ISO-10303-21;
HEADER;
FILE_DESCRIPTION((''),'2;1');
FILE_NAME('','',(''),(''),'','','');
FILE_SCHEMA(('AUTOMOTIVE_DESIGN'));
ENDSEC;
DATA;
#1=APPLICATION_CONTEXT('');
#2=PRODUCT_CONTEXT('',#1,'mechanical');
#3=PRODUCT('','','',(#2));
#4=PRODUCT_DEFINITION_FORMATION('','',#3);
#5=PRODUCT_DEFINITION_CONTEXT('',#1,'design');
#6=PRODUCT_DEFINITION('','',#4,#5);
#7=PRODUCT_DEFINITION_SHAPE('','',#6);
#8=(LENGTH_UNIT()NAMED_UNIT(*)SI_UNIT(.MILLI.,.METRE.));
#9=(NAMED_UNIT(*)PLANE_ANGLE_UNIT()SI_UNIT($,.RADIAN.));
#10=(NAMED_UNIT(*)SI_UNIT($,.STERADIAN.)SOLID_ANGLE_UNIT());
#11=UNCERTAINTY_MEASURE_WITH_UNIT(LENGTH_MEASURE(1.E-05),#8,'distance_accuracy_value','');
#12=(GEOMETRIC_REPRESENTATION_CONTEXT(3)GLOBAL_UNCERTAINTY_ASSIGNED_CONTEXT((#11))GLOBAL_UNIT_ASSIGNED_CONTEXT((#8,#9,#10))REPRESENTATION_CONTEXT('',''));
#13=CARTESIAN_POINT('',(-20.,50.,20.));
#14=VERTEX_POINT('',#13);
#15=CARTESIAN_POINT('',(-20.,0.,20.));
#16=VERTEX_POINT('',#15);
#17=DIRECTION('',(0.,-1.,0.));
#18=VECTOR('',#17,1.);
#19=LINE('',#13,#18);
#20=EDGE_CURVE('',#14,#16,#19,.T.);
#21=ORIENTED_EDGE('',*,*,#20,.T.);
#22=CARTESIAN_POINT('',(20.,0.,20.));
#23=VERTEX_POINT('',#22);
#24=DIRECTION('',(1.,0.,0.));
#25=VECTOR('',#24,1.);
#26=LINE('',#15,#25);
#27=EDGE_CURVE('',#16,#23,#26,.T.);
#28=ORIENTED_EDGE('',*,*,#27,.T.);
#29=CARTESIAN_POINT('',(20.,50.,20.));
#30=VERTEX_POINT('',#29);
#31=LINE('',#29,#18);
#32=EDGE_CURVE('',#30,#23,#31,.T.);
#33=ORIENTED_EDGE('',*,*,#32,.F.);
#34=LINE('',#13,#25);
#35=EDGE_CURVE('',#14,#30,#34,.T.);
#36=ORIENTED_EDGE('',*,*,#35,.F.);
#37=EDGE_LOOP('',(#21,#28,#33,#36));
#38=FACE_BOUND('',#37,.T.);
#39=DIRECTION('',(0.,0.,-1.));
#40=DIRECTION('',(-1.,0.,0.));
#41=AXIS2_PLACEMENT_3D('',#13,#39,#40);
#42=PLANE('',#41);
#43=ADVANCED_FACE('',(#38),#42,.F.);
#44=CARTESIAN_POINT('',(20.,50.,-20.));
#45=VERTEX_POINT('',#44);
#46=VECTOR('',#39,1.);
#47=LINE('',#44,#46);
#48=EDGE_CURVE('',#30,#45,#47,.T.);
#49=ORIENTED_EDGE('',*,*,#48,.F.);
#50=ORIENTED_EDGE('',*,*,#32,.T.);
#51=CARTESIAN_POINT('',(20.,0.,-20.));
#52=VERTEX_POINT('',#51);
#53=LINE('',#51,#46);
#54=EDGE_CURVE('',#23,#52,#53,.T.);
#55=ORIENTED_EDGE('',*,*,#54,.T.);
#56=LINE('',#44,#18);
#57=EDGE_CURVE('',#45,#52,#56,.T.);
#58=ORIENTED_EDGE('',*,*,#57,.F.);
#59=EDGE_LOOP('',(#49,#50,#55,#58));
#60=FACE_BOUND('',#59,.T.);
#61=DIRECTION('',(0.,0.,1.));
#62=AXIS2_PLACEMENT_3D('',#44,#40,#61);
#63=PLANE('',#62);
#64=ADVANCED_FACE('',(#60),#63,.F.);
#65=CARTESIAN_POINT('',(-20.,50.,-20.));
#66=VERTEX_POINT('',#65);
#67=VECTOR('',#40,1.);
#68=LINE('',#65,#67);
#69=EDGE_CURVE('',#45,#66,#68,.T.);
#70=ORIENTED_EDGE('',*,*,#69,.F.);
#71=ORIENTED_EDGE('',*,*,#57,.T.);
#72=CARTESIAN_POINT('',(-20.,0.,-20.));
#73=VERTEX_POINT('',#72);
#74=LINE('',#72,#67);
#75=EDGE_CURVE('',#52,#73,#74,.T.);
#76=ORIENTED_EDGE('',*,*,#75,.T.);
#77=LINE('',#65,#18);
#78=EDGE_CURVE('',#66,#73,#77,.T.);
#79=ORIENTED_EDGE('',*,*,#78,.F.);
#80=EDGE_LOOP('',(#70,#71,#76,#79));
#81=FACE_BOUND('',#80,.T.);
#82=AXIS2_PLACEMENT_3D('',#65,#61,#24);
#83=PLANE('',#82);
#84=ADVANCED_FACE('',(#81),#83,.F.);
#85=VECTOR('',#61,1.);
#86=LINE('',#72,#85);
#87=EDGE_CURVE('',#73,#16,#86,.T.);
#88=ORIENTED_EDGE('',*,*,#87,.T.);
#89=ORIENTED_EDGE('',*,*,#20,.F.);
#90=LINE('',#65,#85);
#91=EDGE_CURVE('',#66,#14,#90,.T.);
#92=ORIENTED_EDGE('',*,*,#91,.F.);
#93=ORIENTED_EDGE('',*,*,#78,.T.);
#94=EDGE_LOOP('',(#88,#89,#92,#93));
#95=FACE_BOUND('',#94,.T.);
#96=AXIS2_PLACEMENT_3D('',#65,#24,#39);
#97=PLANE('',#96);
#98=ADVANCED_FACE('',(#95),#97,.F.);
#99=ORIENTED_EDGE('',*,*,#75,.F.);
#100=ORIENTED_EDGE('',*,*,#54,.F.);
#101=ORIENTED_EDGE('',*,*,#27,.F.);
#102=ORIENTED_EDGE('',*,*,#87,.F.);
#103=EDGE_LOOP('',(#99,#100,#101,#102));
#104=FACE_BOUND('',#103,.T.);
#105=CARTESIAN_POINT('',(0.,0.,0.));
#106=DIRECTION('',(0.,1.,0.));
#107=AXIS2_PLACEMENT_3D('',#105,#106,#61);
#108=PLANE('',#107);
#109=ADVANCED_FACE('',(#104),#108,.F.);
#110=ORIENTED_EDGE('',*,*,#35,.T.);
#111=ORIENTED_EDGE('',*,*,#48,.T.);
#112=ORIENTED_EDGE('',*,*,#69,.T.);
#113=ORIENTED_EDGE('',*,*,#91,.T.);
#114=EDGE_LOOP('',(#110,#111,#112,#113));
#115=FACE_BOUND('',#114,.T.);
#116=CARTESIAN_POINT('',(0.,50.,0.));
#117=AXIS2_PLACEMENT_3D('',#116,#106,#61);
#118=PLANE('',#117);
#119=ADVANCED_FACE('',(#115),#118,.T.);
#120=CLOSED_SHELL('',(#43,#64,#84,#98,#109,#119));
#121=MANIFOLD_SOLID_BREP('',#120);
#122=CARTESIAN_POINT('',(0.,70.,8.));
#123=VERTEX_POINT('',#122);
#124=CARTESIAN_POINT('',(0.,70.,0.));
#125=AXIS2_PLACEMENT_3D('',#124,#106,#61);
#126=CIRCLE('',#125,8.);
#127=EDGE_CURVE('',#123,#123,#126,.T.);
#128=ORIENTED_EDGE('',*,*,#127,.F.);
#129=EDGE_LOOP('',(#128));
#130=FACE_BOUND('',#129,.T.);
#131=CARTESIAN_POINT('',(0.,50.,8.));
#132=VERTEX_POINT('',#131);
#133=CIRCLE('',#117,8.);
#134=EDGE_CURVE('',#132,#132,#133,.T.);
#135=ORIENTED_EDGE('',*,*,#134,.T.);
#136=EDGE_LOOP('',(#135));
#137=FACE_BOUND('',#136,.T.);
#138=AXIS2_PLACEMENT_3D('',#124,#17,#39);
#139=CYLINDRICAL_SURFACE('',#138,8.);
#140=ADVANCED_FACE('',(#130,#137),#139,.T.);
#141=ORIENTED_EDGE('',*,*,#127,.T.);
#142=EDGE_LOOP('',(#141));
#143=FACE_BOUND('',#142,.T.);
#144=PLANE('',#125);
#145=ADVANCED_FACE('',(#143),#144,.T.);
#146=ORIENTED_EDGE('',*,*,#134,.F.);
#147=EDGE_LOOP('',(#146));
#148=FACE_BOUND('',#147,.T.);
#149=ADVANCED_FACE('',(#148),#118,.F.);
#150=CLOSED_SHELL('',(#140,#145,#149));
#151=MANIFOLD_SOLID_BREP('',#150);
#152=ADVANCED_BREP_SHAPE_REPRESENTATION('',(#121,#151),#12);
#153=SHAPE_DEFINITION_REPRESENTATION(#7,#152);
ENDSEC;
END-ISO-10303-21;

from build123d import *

# Parameters (mm, degrees)
SKETCH_1_W      = 40
SKETCH_1_H      = 40
EXTRUDE_1_DEPTH = 50
SKETCH_2_R      = 8
EXTRUDE_2_DEPTH = 20


with BuildPart() as part:
    # 草图1 → 凸台-拉伸1 (new body)
    with BuildSketch(Plane(origin=(0, 0, 0), x_dir=(1, 0, 0), z_dir=(0, 1, 0))):
        Rectangle(SKETCH_1_W, SKETCH_1_H)
    extrude(amount=EXTRUDE_1_DEPTH)


with BuildPart() as body_2:
    # 草图2 → 凸台-拉伸2 (new body)
    with BuildSketch(Plane(origin=(0, 50, 0), x_dir=(1, 0, 0), z_dir=(0, 1, 0))):
        with Locations(Location((0, 0, 0), (0, 0, 270))):
            Circle(SKETCH_2_R)
    extrude(amount=EXTRUDE_2_DEPTH)


solid = Compound([part.part, body_2.part])
